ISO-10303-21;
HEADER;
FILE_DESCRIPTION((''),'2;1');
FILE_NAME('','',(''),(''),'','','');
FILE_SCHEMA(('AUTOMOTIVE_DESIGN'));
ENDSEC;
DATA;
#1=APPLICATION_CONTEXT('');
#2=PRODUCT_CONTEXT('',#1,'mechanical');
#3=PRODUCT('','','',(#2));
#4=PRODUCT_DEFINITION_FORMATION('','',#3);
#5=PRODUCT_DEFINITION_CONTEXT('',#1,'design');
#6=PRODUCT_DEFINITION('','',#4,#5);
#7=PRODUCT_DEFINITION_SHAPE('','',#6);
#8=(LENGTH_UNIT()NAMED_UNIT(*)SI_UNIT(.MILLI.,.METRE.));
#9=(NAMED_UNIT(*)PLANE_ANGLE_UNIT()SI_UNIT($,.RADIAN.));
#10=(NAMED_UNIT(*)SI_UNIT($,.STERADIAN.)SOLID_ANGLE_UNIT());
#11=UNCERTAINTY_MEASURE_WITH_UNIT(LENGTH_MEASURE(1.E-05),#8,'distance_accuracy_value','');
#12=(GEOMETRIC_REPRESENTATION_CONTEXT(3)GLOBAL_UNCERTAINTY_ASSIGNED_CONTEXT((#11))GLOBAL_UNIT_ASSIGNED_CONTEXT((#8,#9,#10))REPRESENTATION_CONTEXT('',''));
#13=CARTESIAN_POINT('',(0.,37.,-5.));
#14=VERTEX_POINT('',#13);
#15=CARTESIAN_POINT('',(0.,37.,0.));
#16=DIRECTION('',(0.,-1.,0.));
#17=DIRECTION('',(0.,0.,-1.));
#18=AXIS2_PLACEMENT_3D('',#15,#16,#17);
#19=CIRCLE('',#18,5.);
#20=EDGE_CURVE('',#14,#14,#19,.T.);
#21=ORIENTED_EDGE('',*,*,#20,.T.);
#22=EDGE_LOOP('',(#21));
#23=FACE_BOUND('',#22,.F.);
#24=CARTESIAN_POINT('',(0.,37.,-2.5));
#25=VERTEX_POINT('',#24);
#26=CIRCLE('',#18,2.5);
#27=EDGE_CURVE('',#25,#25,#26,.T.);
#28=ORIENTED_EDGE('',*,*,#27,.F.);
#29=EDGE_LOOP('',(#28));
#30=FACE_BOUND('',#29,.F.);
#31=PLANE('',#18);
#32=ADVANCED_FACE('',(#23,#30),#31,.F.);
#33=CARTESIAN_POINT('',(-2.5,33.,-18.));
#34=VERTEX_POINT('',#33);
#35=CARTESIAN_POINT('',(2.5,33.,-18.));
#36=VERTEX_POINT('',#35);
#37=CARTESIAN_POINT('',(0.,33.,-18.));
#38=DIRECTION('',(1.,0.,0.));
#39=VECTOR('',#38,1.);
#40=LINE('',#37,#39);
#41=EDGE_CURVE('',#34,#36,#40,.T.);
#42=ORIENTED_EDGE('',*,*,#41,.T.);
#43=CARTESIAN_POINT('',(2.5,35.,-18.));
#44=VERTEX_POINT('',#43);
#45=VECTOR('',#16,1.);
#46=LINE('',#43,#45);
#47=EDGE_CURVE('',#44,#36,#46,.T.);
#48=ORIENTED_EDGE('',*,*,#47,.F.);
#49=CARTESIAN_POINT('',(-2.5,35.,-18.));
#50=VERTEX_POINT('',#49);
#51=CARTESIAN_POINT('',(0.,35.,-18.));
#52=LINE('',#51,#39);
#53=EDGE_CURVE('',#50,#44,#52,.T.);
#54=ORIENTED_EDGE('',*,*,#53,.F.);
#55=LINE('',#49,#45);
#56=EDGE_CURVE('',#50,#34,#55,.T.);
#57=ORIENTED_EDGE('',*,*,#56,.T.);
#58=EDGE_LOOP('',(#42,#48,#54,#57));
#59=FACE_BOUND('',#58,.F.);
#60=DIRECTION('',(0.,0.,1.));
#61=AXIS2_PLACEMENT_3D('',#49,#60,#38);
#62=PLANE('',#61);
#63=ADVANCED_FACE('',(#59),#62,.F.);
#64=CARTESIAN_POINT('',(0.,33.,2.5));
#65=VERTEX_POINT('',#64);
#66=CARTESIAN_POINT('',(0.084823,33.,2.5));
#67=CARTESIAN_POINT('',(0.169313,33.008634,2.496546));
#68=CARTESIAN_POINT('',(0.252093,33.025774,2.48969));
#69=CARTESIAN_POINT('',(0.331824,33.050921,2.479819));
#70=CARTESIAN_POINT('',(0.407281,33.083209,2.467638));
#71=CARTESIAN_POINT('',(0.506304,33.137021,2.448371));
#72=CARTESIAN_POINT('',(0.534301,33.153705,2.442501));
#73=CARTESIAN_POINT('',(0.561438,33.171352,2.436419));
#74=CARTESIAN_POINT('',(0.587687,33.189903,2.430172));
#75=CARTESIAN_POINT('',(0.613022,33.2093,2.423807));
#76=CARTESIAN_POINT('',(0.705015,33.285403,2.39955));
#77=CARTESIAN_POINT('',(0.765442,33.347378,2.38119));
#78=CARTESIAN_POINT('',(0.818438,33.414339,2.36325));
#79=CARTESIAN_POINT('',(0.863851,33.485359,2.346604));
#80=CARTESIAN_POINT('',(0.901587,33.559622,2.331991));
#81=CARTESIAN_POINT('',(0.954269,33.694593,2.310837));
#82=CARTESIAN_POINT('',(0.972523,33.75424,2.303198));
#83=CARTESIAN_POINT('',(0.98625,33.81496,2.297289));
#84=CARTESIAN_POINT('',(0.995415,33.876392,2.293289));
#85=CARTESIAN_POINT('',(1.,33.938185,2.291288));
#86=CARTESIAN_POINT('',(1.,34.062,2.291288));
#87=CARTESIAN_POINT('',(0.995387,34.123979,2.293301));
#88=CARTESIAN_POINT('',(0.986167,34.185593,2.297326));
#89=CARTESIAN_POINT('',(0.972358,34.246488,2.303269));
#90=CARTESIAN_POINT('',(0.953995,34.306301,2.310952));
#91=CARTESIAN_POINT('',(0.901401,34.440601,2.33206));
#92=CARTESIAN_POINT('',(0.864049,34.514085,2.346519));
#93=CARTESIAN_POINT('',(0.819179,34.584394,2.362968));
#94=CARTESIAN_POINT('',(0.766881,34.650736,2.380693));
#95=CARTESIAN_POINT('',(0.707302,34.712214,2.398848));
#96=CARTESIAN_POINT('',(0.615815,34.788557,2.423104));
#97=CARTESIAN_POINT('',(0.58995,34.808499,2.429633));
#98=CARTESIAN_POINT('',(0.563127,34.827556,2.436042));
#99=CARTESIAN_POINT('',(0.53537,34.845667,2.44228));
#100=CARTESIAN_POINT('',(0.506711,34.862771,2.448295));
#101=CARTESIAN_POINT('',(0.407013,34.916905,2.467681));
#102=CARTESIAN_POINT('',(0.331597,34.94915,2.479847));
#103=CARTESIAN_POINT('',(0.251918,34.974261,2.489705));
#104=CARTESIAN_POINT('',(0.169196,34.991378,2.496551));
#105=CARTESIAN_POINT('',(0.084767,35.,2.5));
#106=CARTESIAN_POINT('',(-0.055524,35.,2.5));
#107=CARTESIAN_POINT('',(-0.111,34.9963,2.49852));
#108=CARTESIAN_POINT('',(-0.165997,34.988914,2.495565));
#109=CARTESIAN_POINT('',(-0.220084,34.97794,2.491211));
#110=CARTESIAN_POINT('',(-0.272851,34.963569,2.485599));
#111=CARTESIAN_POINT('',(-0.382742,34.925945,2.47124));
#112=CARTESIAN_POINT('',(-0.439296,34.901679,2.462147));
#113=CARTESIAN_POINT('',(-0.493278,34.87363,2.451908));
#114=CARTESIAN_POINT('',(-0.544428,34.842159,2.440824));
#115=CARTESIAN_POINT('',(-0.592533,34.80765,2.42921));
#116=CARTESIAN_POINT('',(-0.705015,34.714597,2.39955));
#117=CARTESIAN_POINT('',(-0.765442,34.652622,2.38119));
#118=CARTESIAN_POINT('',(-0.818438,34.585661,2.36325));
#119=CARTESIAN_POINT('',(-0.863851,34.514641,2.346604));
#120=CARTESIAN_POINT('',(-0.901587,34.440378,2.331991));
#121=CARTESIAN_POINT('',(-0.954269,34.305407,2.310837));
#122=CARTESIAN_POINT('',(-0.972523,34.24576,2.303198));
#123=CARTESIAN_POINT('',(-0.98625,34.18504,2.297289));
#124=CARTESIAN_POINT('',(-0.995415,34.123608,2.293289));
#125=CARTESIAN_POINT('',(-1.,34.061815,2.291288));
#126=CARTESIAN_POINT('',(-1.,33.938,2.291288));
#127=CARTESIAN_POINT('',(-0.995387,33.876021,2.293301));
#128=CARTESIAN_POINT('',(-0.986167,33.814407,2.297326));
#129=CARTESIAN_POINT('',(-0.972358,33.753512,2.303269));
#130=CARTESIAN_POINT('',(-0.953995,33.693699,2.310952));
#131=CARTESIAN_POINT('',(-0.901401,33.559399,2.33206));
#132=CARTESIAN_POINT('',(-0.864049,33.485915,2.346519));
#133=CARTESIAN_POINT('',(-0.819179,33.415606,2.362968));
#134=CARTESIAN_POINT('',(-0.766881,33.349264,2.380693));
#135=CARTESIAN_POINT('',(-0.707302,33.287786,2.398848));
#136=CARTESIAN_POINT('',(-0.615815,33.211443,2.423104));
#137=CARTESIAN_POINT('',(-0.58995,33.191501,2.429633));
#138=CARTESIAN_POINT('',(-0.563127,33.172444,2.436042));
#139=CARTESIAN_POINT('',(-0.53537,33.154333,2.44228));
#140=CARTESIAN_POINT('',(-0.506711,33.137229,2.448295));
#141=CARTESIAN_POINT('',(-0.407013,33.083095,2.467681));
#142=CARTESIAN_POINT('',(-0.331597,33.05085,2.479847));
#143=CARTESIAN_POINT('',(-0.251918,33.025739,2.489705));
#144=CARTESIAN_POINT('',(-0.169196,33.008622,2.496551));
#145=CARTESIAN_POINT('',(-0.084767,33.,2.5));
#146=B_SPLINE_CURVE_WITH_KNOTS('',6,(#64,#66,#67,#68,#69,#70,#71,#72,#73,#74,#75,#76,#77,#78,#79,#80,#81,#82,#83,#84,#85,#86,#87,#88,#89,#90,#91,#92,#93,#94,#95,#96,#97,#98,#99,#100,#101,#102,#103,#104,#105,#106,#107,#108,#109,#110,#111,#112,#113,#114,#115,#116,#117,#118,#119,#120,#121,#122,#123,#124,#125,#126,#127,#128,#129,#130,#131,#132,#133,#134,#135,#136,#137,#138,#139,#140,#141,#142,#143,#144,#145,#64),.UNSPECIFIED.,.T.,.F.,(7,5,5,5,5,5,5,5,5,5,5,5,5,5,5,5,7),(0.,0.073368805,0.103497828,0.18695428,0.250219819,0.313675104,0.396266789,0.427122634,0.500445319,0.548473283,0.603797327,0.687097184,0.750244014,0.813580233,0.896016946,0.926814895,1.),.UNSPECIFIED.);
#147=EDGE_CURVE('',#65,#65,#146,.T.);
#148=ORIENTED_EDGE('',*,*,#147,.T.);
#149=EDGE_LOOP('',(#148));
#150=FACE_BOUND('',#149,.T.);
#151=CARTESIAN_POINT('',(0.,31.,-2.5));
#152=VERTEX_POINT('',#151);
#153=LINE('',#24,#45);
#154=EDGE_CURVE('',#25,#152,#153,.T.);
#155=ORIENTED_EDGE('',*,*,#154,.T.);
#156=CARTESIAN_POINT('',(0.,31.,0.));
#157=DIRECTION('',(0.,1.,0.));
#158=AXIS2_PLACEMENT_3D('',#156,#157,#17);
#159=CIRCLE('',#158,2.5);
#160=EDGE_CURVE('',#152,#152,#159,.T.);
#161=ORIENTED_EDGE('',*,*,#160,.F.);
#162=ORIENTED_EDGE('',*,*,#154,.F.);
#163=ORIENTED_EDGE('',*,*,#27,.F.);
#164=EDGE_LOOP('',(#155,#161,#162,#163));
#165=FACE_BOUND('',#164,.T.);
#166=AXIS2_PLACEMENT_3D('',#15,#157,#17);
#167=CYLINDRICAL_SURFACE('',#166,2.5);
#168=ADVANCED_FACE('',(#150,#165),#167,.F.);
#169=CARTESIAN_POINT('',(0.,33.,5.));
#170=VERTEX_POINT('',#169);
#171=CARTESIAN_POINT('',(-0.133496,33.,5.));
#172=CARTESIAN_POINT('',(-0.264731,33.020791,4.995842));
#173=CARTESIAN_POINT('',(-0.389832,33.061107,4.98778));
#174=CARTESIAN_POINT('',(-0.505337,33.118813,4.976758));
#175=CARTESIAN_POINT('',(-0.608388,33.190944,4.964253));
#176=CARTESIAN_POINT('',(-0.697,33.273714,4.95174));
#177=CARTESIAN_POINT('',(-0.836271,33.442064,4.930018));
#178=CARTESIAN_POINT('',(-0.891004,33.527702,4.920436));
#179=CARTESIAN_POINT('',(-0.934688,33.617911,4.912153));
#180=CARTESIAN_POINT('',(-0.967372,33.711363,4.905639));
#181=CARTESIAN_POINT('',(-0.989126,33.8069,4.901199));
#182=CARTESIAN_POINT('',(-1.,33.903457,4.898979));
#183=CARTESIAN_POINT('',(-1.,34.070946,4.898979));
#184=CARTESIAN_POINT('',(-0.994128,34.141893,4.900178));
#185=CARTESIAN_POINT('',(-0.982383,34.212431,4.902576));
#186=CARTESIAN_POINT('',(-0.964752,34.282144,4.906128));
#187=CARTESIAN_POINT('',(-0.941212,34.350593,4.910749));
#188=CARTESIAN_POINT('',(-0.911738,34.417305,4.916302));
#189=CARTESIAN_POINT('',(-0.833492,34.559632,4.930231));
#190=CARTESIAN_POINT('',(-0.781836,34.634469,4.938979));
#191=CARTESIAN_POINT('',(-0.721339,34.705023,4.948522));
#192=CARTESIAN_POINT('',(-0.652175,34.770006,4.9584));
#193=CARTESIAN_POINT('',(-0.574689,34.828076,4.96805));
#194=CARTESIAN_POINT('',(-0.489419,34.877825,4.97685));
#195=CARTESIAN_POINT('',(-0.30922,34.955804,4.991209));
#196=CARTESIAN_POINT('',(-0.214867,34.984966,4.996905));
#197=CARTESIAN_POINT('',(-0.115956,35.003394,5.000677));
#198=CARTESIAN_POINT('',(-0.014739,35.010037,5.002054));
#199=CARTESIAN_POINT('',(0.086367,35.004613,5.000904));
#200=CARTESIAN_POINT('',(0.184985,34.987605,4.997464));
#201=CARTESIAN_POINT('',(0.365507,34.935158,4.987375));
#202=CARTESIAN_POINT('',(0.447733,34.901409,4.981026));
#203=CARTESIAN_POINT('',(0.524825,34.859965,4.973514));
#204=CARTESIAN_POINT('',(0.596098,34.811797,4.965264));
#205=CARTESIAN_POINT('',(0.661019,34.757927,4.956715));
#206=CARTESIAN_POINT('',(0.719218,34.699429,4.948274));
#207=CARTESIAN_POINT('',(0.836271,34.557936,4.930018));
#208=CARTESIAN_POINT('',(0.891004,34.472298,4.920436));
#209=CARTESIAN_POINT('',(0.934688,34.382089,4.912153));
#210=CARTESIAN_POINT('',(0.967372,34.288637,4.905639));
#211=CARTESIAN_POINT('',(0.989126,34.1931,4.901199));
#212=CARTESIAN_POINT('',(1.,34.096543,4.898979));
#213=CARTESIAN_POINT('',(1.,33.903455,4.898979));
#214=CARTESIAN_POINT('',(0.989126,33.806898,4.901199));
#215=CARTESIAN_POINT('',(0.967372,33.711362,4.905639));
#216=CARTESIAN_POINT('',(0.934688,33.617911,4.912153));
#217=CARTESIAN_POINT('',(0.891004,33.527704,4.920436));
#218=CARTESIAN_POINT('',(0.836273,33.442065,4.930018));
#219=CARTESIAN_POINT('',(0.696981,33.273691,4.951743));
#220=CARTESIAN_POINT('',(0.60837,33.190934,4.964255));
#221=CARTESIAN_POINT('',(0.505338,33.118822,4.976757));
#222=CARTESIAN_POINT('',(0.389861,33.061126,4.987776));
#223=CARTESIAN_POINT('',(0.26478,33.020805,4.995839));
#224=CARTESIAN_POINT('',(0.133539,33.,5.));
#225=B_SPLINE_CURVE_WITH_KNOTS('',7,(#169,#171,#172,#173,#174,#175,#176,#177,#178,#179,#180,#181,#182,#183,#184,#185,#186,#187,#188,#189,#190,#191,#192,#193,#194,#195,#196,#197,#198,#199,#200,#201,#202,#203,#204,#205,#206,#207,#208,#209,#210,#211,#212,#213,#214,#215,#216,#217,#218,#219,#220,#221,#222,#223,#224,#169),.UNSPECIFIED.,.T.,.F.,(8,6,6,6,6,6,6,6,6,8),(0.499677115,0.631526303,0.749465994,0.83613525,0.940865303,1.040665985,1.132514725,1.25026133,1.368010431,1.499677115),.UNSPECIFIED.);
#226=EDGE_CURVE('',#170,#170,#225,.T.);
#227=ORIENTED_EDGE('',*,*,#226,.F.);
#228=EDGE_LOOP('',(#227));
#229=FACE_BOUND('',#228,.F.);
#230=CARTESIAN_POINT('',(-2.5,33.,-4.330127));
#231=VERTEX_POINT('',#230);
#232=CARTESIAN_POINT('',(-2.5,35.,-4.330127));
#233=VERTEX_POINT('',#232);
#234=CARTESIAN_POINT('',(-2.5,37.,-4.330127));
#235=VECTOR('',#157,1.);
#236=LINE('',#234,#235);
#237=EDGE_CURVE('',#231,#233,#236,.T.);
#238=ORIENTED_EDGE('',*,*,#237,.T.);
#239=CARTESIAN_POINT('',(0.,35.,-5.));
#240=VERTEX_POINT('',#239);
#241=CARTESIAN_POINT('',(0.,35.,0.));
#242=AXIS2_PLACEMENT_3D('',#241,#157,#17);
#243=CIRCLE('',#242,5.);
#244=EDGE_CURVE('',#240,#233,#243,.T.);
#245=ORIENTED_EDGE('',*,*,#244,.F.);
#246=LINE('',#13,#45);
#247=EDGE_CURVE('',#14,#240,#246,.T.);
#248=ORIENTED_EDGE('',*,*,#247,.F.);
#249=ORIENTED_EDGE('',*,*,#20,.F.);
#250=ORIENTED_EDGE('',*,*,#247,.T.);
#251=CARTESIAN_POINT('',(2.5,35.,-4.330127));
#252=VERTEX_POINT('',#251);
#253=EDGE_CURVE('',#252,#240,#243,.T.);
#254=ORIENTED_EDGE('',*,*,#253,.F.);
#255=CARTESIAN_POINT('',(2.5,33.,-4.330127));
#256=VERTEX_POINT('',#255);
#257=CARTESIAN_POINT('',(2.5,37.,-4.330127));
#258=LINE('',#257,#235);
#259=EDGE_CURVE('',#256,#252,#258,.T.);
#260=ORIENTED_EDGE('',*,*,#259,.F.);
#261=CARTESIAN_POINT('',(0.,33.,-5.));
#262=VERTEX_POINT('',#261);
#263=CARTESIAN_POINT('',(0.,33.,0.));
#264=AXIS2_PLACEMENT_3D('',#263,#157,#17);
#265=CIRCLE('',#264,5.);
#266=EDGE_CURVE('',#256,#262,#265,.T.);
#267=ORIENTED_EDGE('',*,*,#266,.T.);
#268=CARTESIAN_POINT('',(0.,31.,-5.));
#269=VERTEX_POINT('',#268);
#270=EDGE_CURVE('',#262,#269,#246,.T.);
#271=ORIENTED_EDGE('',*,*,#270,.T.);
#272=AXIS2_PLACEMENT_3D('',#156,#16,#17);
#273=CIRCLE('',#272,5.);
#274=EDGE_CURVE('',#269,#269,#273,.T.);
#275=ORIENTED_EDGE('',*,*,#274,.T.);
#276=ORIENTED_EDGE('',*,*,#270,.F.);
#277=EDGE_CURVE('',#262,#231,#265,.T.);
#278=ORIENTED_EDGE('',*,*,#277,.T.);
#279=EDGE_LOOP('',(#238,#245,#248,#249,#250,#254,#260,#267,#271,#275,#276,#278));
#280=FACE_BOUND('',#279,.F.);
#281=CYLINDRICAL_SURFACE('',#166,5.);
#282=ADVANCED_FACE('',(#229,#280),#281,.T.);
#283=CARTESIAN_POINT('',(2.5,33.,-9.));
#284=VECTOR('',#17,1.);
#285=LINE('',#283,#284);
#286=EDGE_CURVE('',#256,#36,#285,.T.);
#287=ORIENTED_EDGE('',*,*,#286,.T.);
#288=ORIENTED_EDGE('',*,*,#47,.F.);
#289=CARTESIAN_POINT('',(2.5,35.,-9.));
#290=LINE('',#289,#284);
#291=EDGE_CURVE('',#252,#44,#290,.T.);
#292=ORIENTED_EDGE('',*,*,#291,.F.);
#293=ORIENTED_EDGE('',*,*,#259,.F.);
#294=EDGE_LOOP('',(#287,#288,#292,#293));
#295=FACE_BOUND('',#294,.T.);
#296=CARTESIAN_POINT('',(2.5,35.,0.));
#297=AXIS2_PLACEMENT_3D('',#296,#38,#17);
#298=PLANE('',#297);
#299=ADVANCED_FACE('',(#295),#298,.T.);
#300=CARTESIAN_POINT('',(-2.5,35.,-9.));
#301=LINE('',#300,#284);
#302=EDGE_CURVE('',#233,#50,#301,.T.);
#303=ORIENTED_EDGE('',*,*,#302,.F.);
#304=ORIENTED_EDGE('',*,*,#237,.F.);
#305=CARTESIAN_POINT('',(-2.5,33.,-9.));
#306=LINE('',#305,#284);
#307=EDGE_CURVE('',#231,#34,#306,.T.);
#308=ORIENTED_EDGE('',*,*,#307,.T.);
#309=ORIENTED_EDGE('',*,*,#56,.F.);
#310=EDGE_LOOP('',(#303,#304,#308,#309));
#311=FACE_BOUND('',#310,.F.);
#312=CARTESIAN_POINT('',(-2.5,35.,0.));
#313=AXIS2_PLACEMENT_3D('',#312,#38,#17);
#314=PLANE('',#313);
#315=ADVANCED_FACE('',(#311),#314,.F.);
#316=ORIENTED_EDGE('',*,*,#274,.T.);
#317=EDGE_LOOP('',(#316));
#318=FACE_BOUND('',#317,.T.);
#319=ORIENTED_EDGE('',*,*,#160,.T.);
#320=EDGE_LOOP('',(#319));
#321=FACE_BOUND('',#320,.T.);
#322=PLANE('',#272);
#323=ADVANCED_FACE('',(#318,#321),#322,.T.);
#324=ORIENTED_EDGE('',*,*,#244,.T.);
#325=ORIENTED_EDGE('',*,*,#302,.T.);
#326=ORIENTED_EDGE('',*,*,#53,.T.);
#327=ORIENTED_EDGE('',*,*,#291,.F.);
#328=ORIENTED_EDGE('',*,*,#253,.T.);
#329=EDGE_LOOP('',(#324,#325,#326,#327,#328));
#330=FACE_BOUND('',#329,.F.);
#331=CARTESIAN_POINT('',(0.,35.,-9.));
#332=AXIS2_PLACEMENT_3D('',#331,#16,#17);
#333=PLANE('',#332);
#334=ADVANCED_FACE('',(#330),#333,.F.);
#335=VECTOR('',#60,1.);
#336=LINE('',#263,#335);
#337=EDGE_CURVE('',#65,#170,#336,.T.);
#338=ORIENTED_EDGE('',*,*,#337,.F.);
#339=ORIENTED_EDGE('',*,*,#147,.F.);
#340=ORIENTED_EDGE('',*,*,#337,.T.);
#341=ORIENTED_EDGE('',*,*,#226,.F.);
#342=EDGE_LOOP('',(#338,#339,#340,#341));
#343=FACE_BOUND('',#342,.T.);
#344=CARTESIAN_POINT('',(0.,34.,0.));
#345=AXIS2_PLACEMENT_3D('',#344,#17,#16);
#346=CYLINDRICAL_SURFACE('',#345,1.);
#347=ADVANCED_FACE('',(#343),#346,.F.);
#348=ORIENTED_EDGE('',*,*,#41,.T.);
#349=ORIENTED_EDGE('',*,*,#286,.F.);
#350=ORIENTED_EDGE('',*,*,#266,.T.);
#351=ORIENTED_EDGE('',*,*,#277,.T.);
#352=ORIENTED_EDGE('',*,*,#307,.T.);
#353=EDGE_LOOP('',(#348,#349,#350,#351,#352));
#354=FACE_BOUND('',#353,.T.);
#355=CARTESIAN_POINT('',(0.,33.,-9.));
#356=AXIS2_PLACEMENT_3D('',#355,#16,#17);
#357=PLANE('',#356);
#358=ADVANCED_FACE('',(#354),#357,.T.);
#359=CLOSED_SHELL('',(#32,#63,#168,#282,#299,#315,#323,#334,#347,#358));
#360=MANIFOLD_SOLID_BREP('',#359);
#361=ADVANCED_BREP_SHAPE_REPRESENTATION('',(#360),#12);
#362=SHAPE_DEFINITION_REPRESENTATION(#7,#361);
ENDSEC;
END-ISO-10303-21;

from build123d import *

# Parameters (mm, degrees)
CYLINDER019_R             = 1
CYLINDER019_DEPTH         = 5
CYLINDER018_R             = 2.5
CYLINDER018_DEPTH         = 8
CYLINDER017_R             = 5
CYLINDER017_DEPTH         = 6
BOX002_W                  = 18
BOX002_H                  = 5
BOX002_DEPTH              = 2
CUT002002_PITCH_ANGLE     = 90
CUT002002_PLACEMENT_ANGLE = -90


with BuildPart() as cylinder019:
    # Cylinder019 → Cylinder019 (new body)
    with BuildSketch(Plane(origin=(0, 0, 3), x_dir=(0, 0, 1), z_dir=(-1, 0, 0))):
        Circle(CYLINDER019_R)
    extrude(amount=CYLINDER019_DEPTH)


with BuildPart() as fusion009:
    # Cylinder018 → Cylinder018 (new body)
    with BuildSketch(Plane.XY):
        Circle(CYLINDER018_R)
    extrude(amount=CYLINDER018_DEPTH)

    # Fusion009: union Cylinder019
    add(cylinder019.part)


with BuildPart() as cylinder017:
    # Cylinder017 → Cylinder017 (new body)
    with BuildSketch(Plane.XY):
        Circle(CYLINDER017_R)
    extrude(amount=CYLINDER017_DEPTH)


with BuildPart() as limitswitchpinhour:
    # Box002 → Box002 (new body)
    with BuildSketch(Plane(origin=(0, -2.5, 2), x_dir=(1, 0, 0), z_dir=(0, 0, 1))):
        with Locations((9, 2.5)):
            Rectangle(BOX002_W, BOX002_H)
    extrude(amount=BOX002_DEPTH)

    # Fusion008: union Cylinder017
    add(cylinder017.part)

    # Cut002002: cut Fusion009
    add(fusion009.part, mode=Mode.SUBTRACT)


with BuildPart() as limitswitchpinhour_1:
    # Cut002002 pitch: moved
    add(limitswitchpinhour.part.rotate(Axis((0, 0, 0), (0, 1, 0)), CUT002002_PITCH_ANGLE))


with BuildPart() as limitswitchpinhour_2:
    # Cut002002 placement: moved
    add(limitswitchpinhour_1.part.moved(Location((0, 37, 0))).rotate(Axis((0, 37, 0), (0, 0, 1)), CUT002002_PLACEMENT_ANGLE))


solid = limitswitchpinhour_2.part
